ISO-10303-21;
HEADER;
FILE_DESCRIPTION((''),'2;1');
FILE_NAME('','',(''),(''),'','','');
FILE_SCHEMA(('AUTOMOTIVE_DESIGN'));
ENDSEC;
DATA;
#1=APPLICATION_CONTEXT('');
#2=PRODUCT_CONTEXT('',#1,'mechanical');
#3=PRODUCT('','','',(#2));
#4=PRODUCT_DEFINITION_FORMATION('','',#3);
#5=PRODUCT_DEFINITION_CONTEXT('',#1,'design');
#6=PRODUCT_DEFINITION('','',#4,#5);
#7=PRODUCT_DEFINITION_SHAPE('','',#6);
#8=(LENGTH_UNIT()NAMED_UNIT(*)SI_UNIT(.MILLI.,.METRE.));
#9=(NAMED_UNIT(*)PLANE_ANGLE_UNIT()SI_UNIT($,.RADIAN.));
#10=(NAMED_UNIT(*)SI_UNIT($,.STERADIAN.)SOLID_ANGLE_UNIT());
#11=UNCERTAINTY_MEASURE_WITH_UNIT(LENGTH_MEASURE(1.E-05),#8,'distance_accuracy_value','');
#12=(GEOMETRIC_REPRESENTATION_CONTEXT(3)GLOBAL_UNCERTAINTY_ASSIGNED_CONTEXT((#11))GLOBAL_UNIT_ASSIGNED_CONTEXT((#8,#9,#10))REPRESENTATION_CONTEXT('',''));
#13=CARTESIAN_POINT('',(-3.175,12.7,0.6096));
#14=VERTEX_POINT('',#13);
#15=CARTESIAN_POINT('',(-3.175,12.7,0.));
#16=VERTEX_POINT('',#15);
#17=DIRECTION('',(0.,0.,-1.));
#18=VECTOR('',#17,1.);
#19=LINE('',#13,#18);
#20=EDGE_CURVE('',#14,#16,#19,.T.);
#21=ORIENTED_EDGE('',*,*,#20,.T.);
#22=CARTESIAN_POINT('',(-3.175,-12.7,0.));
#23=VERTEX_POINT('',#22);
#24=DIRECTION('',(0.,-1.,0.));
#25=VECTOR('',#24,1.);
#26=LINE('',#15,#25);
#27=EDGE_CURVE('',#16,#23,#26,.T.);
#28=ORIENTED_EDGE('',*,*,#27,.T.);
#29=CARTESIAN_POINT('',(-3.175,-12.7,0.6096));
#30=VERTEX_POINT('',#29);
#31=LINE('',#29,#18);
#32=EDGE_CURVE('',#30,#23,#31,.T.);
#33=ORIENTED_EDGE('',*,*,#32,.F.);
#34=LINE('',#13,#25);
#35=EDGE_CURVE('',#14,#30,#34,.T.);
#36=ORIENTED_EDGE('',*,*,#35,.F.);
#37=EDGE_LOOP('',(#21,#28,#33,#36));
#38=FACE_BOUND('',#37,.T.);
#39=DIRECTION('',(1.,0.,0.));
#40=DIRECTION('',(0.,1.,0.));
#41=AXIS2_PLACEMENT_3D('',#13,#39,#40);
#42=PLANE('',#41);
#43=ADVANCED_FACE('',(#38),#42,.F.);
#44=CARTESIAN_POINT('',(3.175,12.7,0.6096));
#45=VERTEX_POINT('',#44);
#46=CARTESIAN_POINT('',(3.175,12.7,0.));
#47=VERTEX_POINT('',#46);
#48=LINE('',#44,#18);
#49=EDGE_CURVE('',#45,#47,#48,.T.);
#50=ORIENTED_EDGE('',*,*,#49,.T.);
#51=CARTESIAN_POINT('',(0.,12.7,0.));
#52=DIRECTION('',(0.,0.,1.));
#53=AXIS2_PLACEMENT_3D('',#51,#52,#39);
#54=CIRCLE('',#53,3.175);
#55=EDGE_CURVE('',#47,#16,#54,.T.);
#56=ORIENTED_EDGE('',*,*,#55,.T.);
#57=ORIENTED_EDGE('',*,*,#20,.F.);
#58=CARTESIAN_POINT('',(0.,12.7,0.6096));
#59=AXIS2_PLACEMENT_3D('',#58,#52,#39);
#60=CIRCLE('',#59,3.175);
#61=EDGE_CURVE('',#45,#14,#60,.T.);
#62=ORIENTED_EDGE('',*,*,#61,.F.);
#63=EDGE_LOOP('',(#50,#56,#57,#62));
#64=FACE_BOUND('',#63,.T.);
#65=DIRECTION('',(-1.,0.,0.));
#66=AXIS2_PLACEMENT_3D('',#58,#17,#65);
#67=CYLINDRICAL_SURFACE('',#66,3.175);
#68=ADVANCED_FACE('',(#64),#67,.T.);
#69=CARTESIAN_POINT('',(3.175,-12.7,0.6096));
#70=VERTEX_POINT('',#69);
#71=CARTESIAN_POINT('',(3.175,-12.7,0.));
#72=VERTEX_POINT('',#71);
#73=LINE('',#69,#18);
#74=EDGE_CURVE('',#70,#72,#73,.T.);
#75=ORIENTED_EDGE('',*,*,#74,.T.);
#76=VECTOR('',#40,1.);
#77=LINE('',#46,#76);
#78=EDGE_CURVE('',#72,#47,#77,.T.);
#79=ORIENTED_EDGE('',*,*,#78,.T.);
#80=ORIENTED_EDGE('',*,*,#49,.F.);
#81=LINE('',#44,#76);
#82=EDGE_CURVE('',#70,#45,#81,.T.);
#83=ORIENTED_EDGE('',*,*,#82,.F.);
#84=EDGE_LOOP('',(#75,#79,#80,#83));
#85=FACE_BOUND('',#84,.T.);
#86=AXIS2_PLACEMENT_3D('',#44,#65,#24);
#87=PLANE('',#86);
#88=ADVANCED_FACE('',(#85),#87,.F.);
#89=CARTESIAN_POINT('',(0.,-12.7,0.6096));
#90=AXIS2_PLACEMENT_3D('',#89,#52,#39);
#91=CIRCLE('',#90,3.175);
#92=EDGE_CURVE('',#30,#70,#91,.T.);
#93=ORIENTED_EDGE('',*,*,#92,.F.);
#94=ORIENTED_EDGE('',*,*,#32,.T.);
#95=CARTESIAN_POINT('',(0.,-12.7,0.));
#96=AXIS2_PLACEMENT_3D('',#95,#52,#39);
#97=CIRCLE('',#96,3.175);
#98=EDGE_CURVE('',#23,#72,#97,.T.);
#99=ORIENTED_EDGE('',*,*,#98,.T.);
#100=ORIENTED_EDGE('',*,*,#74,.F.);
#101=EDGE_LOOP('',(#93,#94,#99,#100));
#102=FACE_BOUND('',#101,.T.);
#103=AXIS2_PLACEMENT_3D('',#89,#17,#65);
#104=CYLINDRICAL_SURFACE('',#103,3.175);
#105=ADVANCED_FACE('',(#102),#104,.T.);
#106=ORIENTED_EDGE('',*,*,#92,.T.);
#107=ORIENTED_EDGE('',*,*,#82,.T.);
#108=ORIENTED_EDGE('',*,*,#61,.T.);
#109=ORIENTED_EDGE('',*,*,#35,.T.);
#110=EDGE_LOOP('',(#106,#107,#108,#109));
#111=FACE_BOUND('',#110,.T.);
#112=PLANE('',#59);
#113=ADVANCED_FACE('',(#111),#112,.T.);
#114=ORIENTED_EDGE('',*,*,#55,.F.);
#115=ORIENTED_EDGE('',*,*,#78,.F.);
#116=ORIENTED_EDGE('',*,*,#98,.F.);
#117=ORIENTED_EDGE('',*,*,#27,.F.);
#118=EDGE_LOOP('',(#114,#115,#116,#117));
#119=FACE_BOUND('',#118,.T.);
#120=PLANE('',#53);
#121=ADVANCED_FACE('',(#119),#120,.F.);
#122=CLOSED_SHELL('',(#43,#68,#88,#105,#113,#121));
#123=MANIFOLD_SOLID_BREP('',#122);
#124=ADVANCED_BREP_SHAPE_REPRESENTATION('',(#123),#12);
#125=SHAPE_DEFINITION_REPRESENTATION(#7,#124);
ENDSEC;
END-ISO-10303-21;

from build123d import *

# Parameters (mm, degrees)
BOSS_EXTRUDE1_DEPTH = 0.6096


with BuildPart() as part:
    # Sketch1 → Boss-Extrude1 (new body)
    with BuildSketch(Plane.XY):
        with BuildLine():
            Line((3.175, 12.7), (3.175, -12.7))
            ThreePointArc((3.175, -12.7), (0, -15.875), (-3.175, -12.7))
            Line((-3.175, -12.7), (-3.175, 12.7))
            ThreePointArc((-3.175, 12.7), (0, 15.875), (3.175, 12.7))
        make_face()
    extrude(amount=BOSS_EXTRUDE1_DEPTH)


solid = part.part
